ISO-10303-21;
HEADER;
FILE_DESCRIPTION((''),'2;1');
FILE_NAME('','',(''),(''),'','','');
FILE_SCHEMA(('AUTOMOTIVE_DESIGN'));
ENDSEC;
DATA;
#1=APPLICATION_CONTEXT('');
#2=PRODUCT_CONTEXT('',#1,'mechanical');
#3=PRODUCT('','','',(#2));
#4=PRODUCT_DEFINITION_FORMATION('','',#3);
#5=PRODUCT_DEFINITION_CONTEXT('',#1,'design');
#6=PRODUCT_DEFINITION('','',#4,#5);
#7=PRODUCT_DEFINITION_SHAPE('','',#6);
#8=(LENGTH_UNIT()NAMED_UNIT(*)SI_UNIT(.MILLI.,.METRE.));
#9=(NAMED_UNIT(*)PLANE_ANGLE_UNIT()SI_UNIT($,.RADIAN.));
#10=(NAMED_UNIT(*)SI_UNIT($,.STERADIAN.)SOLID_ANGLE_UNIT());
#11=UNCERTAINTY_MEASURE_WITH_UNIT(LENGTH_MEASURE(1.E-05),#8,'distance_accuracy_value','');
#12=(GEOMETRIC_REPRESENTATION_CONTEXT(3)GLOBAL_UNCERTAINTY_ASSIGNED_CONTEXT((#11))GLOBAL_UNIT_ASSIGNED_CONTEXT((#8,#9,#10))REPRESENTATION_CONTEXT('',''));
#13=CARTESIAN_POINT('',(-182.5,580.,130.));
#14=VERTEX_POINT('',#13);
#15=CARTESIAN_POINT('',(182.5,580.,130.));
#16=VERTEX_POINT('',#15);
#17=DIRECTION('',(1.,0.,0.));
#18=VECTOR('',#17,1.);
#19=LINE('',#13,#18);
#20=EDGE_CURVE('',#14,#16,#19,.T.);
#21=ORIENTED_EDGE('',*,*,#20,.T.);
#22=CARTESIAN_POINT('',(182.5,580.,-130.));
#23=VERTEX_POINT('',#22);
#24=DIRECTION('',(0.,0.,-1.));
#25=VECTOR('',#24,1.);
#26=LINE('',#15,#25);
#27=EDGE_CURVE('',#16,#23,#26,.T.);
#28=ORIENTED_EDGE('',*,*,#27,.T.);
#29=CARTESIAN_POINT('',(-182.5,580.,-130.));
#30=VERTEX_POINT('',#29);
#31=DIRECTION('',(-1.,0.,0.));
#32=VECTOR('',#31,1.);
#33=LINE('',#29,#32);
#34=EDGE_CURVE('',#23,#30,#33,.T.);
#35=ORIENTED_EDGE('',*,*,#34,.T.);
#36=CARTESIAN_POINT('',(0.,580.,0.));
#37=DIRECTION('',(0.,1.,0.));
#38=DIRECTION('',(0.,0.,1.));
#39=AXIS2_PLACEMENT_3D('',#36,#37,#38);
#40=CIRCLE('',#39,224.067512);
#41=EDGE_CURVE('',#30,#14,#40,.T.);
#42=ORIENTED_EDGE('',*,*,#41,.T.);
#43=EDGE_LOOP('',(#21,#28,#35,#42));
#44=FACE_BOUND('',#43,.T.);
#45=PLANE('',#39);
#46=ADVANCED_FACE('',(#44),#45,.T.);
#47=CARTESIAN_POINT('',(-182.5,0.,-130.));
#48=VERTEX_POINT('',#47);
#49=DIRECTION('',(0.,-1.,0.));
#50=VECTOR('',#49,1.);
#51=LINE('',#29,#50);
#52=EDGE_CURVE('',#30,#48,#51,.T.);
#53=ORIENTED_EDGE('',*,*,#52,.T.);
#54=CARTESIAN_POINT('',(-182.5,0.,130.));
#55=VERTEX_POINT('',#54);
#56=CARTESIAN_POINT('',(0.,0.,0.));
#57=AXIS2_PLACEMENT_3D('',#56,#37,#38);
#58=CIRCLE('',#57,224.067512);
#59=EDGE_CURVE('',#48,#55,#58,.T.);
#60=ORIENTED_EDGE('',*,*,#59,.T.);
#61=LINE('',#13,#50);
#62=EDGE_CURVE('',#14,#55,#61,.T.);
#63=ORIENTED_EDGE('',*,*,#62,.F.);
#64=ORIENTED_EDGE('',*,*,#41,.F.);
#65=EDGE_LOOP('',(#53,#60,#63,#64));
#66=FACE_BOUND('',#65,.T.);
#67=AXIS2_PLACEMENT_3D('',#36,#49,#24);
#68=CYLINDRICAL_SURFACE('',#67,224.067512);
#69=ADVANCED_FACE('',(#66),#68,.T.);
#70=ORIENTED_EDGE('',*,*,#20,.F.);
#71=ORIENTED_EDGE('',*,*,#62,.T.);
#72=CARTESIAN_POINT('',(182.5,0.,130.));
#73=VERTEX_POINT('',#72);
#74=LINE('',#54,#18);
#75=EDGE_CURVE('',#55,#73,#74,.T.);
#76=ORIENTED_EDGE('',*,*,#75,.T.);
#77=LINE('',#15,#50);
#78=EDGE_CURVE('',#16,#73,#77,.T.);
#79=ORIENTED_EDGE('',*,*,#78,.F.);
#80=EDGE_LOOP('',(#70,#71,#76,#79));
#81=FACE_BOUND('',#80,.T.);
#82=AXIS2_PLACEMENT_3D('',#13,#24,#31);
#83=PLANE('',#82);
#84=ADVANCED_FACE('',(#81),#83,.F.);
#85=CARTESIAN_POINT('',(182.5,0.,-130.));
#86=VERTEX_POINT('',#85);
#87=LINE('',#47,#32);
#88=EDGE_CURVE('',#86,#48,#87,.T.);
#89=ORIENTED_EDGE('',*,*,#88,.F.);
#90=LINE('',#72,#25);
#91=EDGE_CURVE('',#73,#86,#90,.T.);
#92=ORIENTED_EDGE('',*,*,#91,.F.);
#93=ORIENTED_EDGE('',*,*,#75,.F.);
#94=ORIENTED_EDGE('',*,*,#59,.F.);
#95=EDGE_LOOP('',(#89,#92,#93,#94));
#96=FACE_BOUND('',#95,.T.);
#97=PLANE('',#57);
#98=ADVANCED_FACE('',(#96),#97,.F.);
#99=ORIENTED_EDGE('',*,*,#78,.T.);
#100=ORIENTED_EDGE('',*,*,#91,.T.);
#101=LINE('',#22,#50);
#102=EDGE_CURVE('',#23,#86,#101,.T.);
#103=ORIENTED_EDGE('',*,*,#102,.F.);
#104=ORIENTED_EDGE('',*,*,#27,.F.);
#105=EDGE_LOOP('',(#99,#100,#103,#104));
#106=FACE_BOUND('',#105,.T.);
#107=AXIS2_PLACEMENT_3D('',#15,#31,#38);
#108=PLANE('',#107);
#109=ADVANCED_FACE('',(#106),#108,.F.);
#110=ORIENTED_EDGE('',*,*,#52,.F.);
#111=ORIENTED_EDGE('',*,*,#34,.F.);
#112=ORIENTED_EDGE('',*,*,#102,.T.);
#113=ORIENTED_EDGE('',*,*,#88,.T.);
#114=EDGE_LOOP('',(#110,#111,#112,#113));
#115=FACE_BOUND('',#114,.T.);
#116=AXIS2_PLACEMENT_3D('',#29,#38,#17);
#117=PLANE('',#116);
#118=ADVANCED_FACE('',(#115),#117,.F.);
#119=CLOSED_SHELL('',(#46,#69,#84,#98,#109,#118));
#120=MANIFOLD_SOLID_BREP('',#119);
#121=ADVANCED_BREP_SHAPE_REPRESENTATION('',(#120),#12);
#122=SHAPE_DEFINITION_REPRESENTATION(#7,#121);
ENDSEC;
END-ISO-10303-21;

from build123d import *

# Parameters (mm, degrees)
BOSS_EXTRUDE1_DEPTH = 580


with BuildPart() as part:
    # Sketch1 → Boss-Extrude1 (new body)
    with BuildSketch(Plane(origin=(0, 0, 0), x_dir=(1, 0, 0), z_dir=(0, 1, 0))):
        with BuildLine():
            Line((-182.5, -130), (182.5, -130))
            Line((182.5, -130), (182.5, 130))
            Line((182.5, 130), (-182.5, 130))
            ThreePointArc((-182.5, 130), (-224.067512148, 0), (-182.5, -130))
        make_face()
    extrude(amount=BOSS_EXTRUDE1_DEPTH)


solid = part.part
